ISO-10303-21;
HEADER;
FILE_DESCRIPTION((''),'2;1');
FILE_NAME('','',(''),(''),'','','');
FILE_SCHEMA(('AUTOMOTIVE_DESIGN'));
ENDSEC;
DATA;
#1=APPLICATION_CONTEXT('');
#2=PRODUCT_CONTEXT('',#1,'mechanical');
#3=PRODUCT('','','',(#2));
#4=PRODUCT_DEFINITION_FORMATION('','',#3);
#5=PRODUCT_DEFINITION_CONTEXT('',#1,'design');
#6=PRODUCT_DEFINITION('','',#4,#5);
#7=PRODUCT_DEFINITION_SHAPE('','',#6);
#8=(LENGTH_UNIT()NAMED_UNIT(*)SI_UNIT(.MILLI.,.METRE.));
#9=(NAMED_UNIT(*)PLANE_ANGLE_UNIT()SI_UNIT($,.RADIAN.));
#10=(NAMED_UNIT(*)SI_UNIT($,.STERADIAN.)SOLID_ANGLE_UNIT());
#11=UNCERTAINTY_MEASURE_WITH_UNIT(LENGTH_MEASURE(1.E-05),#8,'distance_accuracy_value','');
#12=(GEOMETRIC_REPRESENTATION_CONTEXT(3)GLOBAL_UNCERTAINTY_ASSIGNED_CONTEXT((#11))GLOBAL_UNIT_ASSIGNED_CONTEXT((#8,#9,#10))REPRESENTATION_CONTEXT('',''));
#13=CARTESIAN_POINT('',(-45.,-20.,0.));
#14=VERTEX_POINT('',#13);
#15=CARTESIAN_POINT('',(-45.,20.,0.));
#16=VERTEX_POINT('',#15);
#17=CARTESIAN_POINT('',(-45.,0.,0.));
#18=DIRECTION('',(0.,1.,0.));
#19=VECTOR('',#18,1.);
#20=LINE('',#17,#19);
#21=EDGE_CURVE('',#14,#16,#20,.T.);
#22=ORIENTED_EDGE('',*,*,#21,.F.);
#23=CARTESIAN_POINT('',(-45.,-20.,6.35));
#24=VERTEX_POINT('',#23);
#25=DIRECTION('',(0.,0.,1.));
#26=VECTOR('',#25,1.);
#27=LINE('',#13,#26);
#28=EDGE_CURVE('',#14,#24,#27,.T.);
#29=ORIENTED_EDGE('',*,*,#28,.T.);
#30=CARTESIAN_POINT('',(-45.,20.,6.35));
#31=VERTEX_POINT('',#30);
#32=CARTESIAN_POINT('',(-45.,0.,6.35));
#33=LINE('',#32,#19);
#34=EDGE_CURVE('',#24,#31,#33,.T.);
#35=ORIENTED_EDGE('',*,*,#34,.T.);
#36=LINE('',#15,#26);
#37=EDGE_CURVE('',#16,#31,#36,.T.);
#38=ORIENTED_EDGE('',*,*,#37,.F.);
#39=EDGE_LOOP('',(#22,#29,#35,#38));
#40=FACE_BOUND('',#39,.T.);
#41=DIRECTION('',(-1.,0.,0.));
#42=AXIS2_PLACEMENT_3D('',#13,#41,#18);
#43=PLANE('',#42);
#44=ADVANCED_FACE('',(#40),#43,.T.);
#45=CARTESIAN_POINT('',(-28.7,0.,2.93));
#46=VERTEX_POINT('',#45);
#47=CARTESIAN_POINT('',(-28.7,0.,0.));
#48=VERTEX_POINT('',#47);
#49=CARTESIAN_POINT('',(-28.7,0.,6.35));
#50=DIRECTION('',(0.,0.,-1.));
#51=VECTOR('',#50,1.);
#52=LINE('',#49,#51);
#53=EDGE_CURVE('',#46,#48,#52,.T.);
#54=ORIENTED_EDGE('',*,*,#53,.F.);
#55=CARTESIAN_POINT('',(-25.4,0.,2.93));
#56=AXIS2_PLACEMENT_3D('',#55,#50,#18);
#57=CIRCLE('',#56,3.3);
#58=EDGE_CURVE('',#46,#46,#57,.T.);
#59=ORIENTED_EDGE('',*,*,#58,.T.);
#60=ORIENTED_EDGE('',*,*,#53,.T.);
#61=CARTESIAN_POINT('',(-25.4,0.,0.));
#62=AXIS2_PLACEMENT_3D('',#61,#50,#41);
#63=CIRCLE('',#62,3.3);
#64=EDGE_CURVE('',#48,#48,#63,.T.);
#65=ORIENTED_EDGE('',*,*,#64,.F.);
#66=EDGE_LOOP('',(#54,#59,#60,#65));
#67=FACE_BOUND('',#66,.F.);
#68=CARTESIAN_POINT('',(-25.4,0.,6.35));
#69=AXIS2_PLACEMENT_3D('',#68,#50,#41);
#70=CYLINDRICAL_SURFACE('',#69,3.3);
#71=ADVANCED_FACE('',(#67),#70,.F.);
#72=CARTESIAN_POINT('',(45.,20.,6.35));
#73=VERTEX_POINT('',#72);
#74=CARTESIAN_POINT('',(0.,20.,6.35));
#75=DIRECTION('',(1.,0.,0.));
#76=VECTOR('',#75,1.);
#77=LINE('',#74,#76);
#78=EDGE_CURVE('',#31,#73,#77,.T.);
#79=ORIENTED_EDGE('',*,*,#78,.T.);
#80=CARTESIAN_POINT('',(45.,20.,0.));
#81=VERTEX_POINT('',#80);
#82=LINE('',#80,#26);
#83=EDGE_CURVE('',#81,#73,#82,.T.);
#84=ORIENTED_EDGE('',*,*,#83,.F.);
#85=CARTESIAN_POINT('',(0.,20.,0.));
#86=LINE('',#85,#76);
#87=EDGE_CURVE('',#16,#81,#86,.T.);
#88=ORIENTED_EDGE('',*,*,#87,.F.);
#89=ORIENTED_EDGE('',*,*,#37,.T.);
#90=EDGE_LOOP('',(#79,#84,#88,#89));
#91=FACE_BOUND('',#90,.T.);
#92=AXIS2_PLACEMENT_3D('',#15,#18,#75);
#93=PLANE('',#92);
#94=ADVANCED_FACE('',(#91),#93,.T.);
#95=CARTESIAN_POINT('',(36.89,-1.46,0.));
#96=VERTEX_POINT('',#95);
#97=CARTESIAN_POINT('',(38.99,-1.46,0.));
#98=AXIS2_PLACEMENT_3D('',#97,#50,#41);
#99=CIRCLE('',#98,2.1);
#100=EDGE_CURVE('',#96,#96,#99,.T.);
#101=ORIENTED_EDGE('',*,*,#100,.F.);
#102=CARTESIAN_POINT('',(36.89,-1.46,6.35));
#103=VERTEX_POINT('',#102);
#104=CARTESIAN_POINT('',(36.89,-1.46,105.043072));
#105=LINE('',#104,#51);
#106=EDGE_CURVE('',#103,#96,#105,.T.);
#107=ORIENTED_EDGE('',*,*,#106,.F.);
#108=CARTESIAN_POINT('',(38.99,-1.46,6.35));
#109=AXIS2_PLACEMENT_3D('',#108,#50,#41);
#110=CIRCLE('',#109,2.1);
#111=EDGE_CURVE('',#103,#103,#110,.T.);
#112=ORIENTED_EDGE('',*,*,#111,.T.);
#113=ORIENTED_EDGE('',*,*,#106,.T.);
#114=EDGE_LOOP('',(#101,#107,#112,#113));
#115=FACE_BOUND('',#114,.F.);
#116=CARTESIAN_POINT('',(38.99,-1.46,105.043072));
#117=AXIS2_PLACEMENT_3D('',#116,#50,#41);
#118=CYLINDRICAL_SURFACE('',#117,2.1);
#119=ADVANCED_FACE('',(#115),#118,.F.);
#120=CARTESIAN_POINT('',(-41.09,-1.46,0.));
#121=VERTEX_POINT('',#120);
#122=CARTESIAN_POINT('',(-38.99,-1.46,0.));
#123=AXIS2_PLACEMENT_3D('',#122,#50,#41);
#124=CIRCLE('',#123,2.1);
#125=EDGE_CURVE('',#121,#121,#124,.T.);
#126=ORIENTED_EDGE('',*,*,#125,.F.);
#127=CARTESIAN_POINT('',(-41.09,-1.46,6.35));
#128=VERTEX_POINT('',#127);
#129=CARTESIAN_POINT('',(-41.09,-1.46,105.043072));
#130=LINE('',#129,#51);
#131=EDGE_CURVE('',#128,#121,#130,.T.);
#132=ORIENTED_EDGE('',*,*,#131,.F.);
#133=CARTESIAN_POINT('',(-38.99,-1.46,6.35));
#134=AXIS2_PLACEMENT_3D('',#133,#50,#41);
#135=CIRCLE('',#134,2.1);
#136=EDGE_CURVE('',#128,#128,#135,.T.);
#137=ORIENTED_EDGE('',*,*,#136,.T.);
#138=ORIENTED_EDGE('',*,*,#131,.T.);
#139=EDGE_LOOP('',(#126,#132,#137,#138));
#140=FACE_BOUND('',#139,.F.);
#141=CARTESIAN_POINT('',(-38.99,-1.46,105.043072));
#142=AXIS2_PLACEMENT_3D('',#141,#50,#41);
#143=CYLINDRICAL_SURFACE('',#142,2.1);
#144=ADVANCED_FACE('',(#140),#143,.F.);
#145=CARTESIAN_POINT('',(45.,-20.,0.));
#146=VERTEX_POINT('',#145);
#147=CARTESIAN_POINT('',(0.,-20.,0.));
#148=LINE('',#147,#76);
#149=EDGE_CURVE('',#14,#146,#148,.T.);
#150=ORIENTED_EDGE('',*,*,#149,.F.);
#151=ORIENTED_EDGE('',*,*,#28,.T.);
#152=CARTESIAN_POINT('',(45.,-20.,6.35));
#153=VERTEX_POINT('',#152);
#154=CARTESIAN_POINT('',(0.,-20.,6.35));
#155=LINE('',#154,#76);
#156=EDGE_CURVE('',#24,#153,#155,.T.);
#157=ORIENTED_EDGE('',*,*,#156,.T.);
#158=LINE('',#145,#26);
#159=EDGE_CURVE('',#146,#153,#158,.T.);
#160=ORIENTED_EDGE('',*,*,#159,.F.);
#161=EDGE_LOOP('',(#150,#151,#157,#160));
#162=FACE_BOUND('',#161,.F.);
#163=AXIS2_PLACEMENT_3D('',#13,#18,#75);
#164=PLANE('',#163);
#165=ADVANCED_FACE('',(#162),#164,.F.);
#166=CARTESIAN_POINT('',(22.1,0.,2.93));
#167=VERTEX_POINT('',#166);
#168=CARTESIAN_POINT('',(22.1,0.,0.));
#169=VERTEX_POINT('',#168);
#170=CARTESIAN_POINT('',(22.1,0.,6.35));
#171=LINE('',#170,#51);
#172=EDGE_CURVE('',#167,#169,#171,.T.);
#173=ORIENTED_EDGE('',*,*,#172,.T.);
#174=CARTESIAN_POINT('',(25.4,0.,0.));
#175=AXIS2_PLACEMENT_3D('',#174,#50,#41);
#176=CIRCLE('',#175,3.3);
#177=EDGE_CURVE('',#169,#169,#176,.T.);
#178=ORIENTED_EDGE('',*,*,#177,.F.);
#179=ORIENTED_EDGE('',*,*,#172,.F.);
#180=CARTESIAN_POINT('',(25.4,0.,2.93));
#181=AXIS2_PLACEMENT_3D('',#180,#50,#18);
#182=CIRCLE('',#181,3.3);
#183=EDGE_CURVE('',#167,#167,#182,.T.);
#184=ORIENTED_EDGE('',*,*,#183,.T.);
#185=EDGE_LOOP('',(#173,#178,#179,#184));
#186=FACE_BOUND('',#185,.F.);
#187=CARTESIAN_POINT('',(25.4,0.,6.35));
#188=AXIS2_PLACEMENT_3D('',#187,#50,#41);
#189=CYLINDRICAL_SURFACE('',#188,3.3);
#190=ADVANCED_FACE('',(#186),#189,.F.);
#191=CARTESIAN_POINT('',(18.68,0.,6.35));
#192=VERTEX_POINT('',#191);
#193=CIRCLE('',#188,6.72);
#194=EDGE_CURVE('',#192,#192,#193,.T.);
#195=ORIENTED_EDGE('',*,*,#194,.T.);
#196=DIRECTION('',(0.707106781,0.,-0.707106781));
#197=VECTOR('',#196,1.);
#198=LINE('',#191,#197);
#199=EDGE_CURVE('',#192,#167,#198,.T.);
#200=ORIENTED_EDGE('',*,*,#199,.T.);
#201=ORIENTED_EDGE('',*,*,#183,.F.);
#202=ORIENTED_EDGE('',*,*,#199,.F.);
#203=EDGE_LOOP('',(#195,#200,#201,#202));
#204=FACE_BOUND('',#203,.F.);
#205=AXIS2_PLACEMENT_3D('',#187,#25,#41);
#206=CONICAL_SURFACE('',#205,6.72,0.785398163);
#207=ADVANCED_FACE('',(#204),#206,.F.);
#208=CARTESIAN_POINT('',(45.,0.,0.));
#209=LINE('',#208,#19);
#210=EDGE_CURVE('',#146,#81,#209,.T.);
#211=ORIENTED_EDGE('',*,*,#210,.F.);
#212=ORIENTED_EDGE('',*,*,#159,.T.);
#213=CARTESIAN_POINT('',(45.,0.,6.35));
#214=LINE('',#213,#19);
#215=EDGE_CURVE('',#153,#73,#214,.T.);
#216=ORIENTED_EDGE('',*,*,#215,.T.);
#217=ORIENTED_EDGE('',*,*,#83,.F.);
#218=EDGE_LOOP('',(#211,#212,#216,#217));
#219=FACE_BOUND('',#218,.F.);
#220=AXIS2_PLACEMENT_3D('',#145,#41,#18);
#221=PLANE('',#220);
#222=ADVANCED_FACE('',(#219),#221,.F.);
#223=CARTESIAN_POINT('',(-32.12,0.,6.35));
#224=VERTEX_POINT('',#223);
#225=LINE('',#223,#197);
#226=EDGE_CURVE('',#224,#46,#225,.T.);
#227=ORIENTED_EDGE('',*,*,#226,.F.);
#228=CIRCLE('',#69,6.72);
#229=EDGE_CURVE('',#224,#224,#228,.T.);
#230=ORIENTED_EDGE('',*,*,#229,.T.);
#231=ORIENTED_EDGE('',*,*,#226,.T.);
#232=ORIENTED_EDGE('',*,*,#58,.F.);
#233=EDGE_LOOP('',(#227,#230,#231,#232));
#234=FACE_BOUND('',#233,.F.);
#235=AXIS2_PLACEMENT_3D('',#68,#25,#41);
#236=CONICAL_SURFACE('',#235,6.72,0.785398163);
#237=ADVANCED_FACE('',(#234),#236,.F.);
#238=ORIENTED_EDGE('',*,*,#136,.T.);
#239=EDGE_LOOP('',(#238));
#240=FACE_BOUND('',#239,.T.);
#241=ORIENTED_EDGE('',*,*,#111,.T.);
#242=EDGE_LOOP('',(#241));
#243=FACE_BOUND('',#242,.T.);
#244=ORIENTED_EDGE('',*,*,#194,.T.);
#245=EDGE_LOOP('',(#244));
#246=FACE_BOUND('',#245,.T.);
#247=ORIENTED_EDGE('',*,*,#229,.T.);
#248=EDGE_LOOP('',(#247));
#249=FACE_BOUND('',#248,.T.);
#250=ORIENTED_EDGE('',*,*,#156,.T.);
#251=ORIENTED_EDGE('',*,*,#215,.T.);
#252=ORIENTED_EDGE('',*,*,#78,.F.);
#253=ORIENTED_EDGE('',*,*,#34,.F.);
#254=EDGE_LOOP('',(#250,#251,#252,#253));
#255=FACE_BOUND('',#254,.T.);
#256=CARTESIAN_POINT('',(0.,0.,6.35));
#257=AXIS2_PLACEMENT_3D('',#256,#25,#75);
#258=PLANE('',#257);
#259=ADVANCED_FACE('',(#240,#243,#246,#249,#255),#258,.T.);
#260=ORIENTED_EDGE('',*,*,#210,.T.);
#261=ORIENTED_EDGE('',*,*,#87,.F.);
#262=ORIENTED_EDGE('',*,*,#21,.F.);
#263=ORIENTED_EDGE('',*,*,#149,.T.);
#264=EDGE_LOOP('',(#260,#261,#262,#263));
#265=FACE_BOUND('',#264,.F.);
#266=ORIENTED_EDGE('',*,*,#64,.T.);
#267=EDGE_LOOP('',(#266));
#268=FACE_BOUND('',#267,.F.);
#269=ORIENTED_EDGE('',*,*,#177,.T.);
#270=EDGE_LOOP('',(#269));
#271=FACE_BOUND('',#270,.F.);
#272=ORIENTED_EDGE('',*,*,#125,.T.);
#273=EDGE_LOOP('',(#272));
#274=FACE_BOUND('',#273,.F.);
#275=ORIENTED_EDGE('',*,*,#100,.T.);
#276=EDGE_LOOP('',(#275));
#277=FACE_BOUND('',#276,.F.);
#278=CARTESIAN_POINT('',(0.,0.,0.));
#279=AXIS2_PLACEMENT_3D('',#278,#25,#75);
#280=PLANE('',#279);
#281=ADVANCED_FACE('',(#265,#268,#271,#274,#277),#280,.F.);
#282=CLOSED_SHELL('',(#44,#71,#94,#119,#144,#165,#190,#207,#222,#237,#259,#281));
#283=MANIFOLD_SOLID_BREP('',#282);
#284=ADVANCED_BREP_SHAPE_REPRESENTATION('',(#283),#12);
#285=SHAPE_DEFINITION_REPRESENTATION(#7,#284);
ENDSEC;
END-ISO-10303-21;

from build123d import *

# Parameters (mm, degrees)
F0_W           = 90
F0_H           = 40
F1_DEPTH       = 6.35
F3_D           = 4.2
F4_D           = 6.6
F4_CSINK_D     = 13.44
F4_CSINK_ANGLE = 90


with BuildPart() as f1:
    # F0 (on Top) → F1 (new body)
    with BuildSketch(Plane.XY):
        Rectangle(F0_W, F0_H)
    extrude(amount=F1_DEPTH)

    # F3 (through all)
    with Locations(Plane.XY.offset(6.35)):
        with Locations((-38.99, -1.46), (38.99, -1.46)):
            Hole(F3_D / 2)

    # F4 (through all)
    with Locations(Plane.XY.offset(6.35)):
        with Locations((-25.4, 0), (25.4, 0)):
            CounterSinkHole(F4_D / 2, F4_CSINK_D / 2, counter_sink_angle=F4_CSINK_ANGLE)


solid = f1.part
